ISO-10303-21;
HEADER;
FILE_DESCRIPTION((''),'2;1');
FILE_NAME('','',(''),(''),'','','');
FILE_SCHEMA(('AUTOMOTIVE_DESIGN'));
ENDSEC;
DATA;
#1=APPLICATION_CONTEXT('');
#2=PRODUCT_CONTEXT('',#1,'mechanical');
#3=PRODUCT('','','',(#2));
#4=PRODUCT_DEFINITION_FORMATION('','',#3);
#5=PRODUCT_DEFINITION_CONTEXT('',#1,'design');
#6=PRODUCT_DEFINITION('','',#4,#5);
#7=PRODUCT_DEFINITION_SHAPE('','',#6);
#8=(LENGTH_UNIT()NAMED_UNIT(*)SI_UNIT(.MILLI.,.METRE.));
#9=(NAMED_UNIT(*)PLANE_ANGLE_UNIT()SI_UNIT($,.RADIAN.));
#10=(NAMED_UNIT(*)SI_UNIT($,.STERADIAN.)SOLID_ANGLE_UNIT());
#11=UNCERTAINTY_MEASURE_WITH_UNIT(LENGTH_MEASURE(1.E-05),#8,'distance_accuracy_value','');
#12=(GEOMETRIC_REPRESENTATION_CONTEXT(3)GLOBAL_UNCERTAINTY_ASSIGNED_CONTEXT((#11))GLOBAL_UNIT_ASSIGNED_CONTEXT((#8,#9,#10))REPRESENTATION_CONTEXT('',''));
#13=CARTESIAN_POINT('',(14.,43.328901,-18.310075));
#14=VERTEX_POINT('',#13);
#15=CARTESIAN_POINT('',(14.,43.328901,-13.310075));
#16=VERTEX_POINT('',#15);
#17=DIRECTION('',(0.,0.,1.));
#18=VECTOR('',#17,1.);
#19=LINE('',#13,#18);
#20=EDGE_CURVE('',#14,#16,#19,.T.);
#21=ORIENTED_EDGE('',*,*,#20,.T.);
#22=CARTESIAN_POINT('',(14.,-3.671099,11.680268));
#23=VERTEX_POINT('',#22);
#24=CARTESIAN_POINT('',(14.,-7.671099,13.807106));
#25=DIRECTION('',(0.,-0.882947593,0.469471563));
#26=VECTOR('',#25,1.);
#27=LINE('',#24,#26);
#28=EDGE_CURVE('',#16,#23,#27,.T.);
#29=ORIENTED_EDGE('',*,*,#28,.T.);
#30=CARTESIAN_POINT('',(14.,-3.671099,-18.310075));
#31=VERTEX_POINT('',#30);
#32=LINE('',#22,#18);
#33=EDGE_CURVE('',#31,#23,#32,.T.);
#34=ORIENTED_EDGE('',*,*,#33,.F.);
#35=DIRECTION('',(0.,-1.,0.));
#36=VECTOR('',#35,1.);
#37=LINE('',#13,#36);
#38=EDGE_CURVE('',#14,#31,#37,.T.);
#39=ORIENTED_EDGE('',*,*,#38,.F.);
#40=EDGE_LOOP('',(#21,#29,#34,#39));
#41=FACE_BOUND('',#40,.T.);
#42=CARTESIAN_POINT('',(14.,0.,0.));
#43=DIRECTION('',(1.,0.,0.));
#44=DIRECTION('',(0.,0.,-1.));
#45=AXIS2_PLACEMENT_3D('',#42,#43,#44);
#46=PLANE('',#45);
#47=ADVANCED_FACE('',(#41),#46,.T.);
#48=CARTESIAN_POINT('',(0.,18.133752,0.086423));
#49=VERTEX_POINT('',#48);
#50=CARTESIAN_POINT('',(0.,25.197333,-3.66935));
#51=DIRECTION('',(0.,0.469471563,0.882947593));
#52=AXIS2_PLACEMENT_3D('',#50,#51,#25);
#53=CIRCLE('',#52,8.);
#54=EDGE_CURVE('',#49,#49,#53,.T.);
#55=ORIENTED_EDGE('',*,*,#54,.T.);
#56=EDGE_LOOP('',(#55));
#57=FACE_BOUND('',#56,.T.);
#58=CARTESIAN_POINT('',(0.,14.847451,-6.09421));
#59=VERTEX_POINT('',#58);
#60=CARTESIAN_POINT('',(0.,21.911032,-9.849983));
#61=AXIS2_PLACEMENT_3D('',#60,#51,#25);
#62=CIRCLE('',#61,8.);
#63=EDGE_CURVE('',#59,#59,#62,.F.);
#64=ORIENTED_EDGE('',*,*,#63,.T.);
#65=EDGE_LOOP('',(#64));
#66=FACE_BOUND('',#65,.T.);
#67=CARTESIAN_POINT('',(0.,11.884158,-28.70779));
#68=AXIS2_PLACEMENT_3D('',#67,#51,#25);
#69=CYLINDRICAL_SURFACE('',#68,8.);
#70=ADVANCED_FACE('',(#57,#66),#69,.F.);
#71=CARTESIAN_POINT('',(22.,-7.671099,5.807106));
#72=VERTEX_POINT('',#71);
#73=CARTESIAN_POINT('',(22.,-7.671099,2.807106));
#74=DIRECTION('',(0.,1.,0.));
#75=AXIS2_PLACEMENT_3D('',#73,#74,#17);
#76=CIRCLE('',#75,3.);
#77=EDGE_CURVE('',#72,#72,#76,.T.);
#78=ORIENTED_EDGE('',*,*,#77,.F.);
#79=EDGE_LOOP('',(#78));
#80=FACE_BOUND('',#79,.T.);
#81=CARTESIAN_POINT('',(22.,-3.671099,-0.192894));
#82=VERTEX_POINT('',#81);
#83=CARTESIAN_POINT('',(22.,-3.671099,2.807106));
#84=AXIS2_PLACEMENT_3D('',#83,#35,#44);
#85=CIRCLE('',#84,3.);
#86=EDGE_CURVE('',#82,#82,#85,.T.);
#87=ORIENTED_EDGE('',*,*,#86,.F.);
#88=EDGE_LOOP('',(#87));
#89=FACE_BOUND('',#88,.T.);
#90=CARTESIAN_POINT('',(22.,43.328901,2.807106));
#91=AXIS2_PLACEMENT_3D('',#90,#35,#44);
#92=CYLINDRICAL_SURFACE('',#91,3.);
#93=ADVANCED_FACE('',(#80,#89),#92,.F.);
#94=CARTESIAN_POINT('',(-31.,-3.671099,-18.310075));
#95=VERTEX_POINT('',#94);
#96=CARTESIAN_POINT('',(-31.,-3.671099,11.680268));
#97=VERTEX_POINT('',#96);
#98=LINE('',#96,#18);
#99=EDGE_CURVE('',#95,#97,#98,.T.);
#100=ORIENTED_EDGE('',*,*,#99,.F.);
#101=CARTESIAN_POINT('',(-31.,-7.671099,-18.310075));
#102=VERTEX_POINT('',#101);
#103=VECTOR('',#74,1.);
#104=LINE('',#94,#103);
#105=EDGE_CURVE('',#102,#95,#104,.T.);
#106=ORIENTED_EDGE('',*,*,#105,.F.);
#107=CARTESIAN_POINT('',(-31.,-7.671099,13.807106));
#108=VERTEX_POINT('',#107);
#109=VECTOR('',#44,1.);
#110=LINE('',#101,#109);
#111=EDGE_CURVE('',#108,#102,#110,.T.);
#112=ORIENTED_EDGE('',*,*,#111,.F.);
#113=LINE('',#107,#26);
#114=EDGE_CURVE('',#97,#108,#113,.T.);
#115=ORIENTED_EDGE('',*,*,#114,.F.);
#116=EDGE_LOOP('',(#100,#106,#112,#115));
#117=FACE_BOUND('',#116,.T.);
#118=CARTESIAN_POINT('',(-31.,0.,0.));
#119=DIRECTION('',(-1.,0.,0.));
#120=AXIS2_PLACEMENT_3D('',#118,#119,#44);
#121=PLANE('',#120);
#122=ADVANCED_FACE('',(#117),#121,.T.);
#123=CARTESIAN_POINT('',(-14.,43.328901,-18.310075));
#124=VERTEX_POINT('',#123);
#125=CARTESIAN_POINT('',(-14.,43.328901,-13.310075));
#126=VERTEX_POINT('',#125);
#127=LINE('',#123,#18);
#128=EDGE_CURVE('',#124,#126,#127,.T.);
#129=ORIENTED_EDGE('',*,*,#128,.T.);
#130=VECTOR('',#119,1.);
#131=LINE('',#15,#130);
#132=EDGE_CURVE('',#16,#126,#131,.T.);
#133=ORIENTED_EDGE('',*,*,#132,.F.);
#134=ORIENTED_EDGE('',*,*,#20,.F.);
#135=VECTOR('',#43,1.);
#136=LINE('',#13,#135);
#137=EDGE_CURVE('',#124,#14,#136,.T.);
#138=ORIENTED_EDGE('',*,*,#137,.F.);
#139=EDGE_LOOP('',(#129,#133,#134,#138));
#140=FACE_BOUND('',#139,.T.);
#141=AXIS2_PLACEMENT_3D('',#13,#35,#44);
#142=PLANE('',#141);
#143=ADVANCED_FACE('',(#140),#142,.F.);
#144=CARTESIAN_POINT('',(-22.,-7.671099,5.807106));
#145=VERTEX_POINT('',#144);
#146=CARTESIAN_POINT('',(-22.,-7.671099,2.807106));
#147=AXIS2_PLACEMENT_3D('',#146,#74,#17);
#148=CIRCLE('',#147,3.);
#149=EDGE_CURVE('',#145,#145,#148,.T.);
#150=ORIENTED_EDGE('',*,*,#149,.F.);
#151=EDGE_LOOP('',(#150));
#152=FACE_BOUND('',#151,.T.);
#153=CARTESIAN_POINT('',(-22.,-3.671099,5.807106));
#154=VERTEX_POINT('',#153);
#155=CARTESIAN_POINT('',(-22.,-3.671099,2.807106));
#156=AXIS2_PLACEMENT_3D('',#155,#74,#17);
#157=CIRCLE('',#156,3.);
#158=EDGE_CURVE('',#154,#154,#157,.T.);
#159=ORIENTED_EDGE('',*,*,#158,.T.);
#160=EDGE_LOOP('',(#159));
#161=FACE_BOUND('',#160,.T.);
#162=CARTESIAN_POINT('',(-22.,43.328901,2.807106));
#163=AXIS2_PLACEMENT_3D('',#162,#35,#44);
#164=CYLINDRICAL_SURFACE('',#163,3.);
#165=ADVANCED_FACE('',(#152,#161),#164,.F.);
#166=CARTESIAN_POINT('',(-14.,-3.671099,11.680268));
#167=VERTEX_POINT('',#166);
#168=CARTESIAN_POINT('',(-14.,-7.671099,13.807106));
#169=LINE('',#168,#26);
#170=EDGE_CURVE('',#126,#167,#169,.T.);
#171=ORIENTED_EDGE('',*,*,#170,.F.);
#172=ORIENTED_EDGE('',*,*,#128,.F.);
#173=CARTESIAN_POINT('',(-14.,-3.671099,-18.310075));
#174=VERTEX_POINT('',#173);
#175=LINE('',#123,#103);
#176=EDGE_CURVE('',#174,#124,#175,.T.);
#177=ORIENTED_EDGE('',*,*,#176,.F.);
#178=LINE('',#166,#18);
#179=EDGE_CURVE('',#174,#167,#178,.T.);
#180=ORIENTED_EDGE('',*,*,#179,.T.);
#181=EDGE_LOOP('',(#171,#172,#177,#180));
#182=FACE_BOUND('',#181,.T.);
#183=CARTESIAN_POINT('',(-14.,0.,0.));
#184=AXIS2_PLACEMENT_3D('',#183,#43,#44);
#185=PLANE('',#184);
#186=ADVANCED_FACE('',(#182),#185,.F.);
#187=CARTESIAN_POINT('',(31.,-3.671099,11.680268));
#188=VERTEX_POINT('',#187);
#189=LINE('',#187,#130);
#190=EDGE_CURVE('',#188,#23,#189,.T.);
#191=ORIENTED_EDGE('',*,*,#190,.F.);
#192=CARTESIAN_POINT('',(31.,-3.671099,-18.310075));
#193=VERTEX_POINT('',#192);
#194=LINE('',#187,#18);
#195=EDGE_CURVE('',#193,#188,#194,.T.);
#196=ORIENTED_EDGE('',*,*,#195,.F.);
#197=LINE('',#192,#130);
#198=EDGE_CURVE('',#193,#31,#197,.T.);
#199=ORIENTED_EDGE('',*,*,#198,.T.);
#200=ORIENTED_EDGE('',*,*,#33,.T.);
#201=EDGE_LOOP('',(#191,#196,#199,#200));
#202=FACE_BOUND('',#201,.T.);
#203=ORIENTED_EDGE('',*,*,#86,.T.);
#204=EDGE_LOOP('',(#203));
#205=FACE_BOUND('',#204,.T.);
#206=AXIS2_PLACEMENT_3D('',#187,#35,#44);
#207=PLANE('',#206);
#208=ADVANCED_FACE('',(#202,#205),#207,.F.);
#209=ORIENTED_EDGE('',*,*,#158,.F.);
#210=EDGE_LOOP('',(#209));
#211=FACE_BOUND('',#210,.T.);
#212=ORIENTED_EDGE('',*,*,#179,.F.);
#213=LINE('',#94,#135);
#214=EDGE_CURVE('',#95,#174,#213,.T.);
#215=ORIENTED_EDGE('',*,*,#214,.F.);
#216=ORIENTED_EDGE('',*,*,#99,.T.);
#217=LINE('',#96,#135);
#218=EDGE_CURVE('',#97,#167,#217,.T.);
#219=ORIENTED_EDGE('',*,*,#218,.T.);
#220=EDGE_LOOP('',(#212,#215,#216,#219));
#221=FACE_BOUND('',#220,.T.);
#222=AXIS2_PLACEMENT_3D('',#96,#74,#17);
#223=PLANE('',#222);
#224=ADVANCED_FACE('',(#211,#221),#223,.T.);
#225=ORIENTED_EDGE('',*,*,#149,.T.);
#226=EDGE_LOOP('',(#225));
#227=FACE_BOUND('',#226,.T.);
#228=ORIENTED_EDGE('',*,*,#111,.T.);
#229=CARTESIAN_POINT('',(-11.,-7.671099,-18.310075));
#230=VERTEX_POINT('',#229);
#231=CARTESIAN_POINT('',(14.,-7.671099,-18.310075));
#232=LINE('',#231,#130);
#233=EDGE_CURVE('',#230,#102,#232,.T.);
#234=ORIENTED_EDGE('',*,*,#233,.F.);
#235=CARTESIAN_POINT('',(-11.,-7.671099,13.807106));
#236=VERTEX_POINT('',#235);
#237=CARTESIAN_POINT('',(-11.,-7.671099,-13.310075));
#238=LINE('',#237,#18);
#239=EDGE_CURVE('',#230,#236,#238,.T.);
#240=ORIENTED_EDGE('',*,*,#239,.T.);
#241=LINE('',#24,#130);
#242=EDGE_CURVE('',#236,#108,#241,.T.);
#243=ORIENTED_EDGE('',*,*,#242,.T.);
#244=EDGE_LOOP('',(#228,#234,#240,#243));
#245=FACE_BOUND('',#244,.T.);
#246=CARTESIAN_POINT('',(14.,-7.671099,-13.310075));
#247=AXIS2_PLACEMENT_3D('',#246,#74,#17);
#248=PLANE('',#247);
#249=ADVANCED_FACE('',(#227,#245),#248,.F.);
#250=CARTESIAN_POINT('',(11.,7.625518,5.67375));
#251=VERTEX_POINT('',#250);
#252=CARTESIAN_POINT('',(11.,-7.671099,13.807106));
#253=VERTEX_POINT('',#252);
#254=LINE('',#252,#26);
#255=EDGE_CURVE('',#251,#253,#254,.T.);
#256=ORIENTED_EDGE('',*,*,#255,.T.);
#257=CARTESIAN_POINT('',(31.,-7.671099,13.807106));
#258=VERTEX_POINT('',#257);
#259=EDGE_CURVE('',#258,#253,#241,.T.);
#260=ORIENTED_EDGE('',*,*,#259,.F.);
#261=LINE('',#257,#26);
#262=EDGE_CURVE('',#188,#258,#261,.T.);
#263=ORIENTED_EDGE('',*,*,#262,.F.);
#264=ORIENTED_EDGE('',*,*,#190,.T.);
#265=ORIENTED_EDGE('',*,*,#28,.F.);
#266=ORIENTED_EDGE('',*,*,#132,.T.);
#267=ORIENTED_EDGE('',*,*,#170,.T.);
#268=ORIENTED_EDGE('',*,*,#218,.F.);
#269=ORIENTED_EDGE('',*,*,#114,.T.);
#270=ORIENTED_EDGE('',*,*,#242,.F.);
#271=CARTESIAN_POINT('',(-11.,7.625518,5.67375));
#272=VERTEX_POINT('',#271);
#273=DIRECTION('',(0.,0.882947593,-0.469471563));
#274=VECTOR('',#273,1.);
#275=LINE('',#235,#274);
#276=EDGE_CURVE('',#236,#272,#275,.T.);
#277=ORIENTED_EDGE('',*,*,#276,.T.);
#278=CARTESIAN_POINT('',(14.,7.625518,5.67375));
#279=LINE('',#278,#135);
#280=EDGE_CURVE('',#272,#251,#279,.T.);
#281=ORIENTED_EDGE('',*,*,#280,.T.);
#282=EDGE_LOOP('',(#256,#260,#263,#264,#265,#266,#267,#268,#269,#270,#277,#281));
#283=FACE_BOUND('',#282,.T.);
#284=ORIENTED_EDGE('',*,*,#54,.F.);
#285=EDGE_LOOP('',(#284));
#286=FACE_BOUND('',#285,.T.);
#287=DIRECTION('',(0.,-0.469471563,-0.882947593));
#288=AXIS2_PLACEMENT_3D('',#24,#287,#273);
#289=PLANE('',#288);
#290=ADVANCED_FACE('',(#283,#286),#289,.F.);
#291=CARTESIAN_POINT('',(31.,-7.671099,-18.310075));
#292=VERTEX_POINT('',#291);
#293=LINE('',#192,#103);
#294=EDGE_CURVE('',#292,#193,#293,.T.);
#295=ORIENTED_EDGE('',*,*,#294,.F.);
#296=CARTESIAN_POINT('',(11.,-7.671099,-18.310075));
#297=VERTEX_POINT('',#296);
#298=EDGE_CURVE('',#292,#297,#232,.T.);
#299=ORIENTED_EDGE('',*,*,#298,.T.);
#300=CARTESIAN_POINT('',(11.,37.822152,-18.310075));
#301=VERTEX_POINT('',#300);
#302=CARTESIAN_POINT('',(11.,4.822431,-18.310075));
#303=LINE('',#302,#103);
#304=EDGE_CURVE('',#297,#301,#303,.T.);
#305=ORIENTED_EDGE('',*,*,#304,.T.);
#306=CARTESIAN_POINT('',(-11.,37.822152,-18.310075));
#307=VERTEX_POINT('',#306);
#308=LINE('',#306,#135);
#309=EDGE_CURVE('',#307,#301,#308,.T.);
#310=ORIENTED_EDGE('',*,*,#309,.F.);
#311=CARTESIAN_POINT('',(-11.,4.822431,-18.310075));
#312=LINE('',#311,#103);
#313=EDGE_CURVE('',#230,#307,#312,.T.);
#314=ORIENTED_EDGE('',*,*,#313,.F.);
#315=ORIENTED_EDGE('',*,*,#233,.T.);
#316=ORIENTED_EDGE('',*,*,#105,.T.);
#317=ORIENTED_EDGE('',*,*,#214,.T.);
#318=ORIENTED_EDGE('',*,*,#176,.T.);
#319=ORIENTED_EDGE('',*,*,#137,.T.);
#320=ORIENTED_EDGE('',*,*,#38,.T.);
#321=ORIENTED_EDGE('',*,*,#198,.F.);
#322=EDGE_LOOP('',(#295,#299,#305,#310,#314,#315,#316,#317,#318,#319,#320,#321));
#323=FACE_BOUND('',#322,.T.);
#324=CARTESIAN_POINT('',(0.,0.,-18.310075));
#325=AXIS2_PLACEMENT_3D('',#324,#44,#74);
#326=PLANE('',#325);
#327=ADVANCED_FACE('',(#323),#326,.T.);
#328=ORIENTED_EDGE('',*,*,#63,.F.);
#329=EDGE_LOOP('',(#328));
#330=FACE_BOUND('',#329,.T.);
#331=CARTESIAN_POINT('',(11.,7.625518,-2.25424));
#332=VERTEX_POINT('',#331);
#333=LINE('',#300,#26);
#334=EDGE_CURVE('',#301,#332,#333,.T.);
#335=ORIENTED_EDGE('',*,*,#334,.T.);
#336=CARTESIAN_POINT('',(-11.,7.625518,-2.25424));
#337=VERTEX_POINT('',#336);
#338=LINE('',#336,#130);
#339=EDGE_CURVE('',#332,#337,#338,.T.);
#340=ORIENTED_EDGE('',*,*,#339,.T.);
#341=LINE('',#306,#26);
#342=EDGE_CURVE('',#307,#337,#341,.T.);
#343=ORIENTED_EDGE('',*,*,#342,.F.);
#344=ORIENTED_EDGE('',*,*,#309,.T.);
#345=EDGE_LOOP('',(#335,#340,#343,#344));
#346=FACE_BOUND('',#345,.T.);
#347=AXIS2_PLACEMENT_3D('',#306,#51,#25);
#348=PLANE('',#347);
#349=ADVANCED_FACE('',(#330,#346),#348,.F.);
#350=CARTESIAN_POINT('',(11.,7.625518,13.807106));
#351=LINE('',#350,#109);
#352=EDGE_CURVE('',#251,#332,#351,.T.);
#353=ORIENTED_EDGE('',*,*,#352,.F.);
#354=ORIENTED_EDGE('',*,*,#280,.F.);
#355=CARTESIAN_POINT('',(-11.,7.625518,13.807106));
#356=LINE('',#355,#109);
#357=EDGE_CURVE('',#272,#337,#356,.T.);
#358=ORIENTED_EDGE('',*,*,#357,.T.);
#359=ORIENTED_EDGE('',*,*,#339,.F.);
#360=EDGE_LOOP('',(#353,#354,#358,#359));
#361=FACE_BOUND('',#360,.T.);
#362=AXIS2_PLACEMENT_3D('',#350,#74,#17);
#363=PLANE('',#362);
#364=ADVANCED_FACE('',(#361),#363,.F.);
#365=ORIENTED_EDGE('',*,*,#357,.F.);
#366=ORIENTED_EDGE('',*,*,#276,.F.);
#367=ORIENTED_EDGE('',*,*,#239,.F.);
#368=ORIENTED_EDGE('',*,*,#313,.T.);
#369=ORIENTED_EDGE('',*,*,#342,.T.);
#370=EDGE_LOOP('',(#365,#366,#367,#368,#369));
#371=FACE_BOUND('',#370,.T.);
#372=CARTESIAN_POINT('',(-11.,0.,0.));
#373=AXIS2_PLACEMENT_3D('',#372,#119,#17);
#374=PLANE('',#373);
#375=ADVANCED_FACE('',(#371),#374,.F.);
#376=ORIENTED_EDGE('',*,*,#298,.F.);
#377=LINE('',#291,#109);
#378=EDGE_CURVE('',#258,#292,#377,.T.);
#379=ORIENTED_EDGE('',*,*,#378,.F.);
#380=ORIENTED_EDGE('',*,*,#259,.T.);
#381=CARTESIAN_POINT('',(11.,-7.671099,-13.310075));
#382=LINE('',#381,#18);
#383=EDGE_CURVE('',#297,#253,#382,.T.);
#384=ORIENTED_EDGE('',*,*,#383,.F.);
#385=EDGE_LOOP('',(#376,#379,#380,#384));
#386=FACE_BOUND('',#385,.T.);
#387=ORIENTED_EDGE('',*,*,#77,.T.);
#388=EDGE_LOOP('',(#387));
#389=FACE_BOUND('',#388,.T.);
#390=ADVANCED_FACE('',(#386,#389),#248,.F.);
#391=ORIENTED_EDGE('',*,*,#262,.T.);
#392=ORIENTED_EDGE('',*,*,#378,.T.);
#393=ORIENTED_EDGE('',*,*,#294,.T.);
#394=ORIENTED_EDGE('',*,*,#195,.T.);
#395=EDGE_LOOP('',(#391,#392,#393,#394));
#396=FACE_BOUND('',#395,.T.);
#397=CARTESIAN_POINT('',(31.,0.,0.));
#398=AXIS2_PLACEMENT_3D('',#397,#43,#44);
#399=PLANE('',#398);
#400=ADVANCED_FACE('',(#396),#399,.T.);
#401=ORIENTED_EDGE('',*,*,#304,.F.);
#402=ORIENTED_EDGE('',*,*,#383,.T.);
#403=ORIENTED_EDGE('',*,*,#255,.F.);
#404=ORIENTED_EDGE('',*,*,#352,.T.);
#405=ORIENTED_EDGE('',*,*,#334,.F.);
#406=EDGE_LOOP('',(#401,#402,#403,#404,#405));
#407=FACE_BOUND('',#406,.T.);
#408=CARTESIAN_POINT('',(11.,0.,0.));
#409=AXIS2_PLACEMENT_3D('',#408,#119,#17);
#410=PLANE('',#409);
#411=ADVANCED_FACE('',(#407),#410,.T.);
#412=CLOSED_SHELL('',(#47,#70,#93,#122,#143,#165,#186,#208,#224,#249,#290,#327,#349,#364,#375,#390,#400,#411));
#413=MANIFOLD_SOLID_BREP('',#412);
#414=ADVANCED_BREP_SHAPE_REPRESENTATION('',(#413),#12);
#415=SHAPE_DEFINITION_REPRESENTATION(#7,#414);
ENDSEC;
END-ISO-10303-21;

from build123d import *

# Parameters (mm, degrees)
BOSS_EXTRUDE1_DEPTH     = 14
SKETCH4_W               = 28
SKETCH4_H               = 51
BOSS_EXTRUDE2_DEPTH     = 5
SKETCH3_R               = 8
CUT_EXTRUDE1_DEPTH      = 50.099012473
CUT_EXTRUDE3_DEPTH      = 11
CUT_EXTRUDE4_DEPTH      = 49.798206602
CUT_EXTRUDE4_DEPTH_BACK = 49.798206602
SKETCH7_W               = 22
SKETCH7_H               = 15.296617448
BOSS_EXTRUDE3_DEPTH     = 17
CUT_EXTRUDE5_DEPTH      = 63.42802941
CUT_EXTRUDE5_DEPTH_BACK = 63.42802941
SKETCH11_R              = 3


with BuildPart() as part:
    # Sketch1 → Boss-Extrude1 (new, symmetric)
    with BuildSketch(Plane(origin=(0, 0, 0), x_dir=(0, 0, -1), z_dir=(1, 0, 0))):
        Polygon((-13.807105756, -7.671099373), (13.310075259, 43.328900627), (13.310075259, -7.671099373), align=None)
    extrude(amount=BOSS_EXTRUDE1_DEPTH, both=True)

    # Sketch4 → Boss-Extrude2 (add)
    with BuildSketch(Plane(origin=(0, 0, -13.310075259), x_dir=(-1, 0, 0), z_dir=(0, 0, -1))):
        with Locations((0, 17.828900627)):
            Rectangle(SKETCH4_W, SKETCH4_H)
    extrude(amount=BOSS_EXTRUDE2_DEPTH)

    # Sketch3 → Cut-Extrude1 (cut, through all)
    with BuildSketch(Plane(origin=(0, 4.032567199, 7.584155854), x_dir=(1, 0, 0), z_dir=(0, 0.46947156278589475, 0.8829475928589249))):
        with Locations(Location((0, 23.97057959, 0), (0, 0, 270))):
            Circle(SKETCH3_R)
    extrude(amount=-CUT_EXTRUDE1_DEPTH, mode=Mode.SUBTRACT)

    # Sketch6 → Cut-Extrude3 (cut, symmetric)
    with BuildSketch(Plane(origin=(0, 0, 0), x_dir=(0, 0, -1), z_dir=(1, 0, 0))):
        Polygon((18.310075259, 37.822151676), (0.763812466, 4.822430874), (0.763812466, -14.665024569), (18.310075259, -14.665024569), (18.310075259, 4.822430874), align=None)
    extrude(amount=CUT_EXTRUDE3_DEPTH, both=True, mode=Mode.SUBTRACT)

    # Sketch7 → Cut-Extrude4 (cut, two sides: drawn at the far end of the back side and taken through both)
    with BuildSketch(Plane(origin=(0, 0, -0.763812466), x_dir=(-1, 0, 0), z_dir=(0, 0, -1)).offset(-CUT_EXTRUDE4_DEPTH_BACK)):
        with Locations((0, -0.022790649)):
            Rectangle(SKETCH7_W, SKETCH7_H)
    extrude(amount=CUT_EXTRUDE4_DEPTH + CUT_EXTRUDE4_DEPTH_BACK, mode=Mode.SUBTRACT)

    # Sketch10 → Boss-Extrude3 (add)
    with BuildSketch(Plane(origin=(14, 0, 0), x_dir=(0, 0, -1), z_dir=(1, 0, 0))):
        Polygon((-13.807105756, -7.671099373), (-11.680268029, -3.671099373), (18.310075259, -3.671099373), (18.310075259, -7.671099373), align=None)
    boss_extrude3 = extrude(amount=BOSS_EXTRUDE3_DEPTH)

    # Mirror5: Boss-Extrude3 across plane
    add(boss_extrude3.mirror(Plane(origin=(0, 0, 0), x_dir=(0, 0, 1), z_dir=(1, 0, 0))))

    # Sketch11 → Cut-Extrude5 (cut, two sides: drawn at the far end of the back side and taken through both)
    with BuildSketch(Plane.XZ.offset(7.671099373).offset(-CUT_EXTRUDE5_DEPTH_BACK)):
        with Locations(Location((22, 2.807105756, 0), (0, 0, 270))):
            Circle(SKETCH11_R)
        with Locations(Location((-22, 2.807105756, 0), (0, 0, 90))):
            Circle(SKETCH11_R)
    extrude(amount=CUT_EXTRUDE5_DEPTH + CUT_EXTRUDE5_DEPTH_BACK, mode=Mode.SUBTRACT)


solid = part.part
